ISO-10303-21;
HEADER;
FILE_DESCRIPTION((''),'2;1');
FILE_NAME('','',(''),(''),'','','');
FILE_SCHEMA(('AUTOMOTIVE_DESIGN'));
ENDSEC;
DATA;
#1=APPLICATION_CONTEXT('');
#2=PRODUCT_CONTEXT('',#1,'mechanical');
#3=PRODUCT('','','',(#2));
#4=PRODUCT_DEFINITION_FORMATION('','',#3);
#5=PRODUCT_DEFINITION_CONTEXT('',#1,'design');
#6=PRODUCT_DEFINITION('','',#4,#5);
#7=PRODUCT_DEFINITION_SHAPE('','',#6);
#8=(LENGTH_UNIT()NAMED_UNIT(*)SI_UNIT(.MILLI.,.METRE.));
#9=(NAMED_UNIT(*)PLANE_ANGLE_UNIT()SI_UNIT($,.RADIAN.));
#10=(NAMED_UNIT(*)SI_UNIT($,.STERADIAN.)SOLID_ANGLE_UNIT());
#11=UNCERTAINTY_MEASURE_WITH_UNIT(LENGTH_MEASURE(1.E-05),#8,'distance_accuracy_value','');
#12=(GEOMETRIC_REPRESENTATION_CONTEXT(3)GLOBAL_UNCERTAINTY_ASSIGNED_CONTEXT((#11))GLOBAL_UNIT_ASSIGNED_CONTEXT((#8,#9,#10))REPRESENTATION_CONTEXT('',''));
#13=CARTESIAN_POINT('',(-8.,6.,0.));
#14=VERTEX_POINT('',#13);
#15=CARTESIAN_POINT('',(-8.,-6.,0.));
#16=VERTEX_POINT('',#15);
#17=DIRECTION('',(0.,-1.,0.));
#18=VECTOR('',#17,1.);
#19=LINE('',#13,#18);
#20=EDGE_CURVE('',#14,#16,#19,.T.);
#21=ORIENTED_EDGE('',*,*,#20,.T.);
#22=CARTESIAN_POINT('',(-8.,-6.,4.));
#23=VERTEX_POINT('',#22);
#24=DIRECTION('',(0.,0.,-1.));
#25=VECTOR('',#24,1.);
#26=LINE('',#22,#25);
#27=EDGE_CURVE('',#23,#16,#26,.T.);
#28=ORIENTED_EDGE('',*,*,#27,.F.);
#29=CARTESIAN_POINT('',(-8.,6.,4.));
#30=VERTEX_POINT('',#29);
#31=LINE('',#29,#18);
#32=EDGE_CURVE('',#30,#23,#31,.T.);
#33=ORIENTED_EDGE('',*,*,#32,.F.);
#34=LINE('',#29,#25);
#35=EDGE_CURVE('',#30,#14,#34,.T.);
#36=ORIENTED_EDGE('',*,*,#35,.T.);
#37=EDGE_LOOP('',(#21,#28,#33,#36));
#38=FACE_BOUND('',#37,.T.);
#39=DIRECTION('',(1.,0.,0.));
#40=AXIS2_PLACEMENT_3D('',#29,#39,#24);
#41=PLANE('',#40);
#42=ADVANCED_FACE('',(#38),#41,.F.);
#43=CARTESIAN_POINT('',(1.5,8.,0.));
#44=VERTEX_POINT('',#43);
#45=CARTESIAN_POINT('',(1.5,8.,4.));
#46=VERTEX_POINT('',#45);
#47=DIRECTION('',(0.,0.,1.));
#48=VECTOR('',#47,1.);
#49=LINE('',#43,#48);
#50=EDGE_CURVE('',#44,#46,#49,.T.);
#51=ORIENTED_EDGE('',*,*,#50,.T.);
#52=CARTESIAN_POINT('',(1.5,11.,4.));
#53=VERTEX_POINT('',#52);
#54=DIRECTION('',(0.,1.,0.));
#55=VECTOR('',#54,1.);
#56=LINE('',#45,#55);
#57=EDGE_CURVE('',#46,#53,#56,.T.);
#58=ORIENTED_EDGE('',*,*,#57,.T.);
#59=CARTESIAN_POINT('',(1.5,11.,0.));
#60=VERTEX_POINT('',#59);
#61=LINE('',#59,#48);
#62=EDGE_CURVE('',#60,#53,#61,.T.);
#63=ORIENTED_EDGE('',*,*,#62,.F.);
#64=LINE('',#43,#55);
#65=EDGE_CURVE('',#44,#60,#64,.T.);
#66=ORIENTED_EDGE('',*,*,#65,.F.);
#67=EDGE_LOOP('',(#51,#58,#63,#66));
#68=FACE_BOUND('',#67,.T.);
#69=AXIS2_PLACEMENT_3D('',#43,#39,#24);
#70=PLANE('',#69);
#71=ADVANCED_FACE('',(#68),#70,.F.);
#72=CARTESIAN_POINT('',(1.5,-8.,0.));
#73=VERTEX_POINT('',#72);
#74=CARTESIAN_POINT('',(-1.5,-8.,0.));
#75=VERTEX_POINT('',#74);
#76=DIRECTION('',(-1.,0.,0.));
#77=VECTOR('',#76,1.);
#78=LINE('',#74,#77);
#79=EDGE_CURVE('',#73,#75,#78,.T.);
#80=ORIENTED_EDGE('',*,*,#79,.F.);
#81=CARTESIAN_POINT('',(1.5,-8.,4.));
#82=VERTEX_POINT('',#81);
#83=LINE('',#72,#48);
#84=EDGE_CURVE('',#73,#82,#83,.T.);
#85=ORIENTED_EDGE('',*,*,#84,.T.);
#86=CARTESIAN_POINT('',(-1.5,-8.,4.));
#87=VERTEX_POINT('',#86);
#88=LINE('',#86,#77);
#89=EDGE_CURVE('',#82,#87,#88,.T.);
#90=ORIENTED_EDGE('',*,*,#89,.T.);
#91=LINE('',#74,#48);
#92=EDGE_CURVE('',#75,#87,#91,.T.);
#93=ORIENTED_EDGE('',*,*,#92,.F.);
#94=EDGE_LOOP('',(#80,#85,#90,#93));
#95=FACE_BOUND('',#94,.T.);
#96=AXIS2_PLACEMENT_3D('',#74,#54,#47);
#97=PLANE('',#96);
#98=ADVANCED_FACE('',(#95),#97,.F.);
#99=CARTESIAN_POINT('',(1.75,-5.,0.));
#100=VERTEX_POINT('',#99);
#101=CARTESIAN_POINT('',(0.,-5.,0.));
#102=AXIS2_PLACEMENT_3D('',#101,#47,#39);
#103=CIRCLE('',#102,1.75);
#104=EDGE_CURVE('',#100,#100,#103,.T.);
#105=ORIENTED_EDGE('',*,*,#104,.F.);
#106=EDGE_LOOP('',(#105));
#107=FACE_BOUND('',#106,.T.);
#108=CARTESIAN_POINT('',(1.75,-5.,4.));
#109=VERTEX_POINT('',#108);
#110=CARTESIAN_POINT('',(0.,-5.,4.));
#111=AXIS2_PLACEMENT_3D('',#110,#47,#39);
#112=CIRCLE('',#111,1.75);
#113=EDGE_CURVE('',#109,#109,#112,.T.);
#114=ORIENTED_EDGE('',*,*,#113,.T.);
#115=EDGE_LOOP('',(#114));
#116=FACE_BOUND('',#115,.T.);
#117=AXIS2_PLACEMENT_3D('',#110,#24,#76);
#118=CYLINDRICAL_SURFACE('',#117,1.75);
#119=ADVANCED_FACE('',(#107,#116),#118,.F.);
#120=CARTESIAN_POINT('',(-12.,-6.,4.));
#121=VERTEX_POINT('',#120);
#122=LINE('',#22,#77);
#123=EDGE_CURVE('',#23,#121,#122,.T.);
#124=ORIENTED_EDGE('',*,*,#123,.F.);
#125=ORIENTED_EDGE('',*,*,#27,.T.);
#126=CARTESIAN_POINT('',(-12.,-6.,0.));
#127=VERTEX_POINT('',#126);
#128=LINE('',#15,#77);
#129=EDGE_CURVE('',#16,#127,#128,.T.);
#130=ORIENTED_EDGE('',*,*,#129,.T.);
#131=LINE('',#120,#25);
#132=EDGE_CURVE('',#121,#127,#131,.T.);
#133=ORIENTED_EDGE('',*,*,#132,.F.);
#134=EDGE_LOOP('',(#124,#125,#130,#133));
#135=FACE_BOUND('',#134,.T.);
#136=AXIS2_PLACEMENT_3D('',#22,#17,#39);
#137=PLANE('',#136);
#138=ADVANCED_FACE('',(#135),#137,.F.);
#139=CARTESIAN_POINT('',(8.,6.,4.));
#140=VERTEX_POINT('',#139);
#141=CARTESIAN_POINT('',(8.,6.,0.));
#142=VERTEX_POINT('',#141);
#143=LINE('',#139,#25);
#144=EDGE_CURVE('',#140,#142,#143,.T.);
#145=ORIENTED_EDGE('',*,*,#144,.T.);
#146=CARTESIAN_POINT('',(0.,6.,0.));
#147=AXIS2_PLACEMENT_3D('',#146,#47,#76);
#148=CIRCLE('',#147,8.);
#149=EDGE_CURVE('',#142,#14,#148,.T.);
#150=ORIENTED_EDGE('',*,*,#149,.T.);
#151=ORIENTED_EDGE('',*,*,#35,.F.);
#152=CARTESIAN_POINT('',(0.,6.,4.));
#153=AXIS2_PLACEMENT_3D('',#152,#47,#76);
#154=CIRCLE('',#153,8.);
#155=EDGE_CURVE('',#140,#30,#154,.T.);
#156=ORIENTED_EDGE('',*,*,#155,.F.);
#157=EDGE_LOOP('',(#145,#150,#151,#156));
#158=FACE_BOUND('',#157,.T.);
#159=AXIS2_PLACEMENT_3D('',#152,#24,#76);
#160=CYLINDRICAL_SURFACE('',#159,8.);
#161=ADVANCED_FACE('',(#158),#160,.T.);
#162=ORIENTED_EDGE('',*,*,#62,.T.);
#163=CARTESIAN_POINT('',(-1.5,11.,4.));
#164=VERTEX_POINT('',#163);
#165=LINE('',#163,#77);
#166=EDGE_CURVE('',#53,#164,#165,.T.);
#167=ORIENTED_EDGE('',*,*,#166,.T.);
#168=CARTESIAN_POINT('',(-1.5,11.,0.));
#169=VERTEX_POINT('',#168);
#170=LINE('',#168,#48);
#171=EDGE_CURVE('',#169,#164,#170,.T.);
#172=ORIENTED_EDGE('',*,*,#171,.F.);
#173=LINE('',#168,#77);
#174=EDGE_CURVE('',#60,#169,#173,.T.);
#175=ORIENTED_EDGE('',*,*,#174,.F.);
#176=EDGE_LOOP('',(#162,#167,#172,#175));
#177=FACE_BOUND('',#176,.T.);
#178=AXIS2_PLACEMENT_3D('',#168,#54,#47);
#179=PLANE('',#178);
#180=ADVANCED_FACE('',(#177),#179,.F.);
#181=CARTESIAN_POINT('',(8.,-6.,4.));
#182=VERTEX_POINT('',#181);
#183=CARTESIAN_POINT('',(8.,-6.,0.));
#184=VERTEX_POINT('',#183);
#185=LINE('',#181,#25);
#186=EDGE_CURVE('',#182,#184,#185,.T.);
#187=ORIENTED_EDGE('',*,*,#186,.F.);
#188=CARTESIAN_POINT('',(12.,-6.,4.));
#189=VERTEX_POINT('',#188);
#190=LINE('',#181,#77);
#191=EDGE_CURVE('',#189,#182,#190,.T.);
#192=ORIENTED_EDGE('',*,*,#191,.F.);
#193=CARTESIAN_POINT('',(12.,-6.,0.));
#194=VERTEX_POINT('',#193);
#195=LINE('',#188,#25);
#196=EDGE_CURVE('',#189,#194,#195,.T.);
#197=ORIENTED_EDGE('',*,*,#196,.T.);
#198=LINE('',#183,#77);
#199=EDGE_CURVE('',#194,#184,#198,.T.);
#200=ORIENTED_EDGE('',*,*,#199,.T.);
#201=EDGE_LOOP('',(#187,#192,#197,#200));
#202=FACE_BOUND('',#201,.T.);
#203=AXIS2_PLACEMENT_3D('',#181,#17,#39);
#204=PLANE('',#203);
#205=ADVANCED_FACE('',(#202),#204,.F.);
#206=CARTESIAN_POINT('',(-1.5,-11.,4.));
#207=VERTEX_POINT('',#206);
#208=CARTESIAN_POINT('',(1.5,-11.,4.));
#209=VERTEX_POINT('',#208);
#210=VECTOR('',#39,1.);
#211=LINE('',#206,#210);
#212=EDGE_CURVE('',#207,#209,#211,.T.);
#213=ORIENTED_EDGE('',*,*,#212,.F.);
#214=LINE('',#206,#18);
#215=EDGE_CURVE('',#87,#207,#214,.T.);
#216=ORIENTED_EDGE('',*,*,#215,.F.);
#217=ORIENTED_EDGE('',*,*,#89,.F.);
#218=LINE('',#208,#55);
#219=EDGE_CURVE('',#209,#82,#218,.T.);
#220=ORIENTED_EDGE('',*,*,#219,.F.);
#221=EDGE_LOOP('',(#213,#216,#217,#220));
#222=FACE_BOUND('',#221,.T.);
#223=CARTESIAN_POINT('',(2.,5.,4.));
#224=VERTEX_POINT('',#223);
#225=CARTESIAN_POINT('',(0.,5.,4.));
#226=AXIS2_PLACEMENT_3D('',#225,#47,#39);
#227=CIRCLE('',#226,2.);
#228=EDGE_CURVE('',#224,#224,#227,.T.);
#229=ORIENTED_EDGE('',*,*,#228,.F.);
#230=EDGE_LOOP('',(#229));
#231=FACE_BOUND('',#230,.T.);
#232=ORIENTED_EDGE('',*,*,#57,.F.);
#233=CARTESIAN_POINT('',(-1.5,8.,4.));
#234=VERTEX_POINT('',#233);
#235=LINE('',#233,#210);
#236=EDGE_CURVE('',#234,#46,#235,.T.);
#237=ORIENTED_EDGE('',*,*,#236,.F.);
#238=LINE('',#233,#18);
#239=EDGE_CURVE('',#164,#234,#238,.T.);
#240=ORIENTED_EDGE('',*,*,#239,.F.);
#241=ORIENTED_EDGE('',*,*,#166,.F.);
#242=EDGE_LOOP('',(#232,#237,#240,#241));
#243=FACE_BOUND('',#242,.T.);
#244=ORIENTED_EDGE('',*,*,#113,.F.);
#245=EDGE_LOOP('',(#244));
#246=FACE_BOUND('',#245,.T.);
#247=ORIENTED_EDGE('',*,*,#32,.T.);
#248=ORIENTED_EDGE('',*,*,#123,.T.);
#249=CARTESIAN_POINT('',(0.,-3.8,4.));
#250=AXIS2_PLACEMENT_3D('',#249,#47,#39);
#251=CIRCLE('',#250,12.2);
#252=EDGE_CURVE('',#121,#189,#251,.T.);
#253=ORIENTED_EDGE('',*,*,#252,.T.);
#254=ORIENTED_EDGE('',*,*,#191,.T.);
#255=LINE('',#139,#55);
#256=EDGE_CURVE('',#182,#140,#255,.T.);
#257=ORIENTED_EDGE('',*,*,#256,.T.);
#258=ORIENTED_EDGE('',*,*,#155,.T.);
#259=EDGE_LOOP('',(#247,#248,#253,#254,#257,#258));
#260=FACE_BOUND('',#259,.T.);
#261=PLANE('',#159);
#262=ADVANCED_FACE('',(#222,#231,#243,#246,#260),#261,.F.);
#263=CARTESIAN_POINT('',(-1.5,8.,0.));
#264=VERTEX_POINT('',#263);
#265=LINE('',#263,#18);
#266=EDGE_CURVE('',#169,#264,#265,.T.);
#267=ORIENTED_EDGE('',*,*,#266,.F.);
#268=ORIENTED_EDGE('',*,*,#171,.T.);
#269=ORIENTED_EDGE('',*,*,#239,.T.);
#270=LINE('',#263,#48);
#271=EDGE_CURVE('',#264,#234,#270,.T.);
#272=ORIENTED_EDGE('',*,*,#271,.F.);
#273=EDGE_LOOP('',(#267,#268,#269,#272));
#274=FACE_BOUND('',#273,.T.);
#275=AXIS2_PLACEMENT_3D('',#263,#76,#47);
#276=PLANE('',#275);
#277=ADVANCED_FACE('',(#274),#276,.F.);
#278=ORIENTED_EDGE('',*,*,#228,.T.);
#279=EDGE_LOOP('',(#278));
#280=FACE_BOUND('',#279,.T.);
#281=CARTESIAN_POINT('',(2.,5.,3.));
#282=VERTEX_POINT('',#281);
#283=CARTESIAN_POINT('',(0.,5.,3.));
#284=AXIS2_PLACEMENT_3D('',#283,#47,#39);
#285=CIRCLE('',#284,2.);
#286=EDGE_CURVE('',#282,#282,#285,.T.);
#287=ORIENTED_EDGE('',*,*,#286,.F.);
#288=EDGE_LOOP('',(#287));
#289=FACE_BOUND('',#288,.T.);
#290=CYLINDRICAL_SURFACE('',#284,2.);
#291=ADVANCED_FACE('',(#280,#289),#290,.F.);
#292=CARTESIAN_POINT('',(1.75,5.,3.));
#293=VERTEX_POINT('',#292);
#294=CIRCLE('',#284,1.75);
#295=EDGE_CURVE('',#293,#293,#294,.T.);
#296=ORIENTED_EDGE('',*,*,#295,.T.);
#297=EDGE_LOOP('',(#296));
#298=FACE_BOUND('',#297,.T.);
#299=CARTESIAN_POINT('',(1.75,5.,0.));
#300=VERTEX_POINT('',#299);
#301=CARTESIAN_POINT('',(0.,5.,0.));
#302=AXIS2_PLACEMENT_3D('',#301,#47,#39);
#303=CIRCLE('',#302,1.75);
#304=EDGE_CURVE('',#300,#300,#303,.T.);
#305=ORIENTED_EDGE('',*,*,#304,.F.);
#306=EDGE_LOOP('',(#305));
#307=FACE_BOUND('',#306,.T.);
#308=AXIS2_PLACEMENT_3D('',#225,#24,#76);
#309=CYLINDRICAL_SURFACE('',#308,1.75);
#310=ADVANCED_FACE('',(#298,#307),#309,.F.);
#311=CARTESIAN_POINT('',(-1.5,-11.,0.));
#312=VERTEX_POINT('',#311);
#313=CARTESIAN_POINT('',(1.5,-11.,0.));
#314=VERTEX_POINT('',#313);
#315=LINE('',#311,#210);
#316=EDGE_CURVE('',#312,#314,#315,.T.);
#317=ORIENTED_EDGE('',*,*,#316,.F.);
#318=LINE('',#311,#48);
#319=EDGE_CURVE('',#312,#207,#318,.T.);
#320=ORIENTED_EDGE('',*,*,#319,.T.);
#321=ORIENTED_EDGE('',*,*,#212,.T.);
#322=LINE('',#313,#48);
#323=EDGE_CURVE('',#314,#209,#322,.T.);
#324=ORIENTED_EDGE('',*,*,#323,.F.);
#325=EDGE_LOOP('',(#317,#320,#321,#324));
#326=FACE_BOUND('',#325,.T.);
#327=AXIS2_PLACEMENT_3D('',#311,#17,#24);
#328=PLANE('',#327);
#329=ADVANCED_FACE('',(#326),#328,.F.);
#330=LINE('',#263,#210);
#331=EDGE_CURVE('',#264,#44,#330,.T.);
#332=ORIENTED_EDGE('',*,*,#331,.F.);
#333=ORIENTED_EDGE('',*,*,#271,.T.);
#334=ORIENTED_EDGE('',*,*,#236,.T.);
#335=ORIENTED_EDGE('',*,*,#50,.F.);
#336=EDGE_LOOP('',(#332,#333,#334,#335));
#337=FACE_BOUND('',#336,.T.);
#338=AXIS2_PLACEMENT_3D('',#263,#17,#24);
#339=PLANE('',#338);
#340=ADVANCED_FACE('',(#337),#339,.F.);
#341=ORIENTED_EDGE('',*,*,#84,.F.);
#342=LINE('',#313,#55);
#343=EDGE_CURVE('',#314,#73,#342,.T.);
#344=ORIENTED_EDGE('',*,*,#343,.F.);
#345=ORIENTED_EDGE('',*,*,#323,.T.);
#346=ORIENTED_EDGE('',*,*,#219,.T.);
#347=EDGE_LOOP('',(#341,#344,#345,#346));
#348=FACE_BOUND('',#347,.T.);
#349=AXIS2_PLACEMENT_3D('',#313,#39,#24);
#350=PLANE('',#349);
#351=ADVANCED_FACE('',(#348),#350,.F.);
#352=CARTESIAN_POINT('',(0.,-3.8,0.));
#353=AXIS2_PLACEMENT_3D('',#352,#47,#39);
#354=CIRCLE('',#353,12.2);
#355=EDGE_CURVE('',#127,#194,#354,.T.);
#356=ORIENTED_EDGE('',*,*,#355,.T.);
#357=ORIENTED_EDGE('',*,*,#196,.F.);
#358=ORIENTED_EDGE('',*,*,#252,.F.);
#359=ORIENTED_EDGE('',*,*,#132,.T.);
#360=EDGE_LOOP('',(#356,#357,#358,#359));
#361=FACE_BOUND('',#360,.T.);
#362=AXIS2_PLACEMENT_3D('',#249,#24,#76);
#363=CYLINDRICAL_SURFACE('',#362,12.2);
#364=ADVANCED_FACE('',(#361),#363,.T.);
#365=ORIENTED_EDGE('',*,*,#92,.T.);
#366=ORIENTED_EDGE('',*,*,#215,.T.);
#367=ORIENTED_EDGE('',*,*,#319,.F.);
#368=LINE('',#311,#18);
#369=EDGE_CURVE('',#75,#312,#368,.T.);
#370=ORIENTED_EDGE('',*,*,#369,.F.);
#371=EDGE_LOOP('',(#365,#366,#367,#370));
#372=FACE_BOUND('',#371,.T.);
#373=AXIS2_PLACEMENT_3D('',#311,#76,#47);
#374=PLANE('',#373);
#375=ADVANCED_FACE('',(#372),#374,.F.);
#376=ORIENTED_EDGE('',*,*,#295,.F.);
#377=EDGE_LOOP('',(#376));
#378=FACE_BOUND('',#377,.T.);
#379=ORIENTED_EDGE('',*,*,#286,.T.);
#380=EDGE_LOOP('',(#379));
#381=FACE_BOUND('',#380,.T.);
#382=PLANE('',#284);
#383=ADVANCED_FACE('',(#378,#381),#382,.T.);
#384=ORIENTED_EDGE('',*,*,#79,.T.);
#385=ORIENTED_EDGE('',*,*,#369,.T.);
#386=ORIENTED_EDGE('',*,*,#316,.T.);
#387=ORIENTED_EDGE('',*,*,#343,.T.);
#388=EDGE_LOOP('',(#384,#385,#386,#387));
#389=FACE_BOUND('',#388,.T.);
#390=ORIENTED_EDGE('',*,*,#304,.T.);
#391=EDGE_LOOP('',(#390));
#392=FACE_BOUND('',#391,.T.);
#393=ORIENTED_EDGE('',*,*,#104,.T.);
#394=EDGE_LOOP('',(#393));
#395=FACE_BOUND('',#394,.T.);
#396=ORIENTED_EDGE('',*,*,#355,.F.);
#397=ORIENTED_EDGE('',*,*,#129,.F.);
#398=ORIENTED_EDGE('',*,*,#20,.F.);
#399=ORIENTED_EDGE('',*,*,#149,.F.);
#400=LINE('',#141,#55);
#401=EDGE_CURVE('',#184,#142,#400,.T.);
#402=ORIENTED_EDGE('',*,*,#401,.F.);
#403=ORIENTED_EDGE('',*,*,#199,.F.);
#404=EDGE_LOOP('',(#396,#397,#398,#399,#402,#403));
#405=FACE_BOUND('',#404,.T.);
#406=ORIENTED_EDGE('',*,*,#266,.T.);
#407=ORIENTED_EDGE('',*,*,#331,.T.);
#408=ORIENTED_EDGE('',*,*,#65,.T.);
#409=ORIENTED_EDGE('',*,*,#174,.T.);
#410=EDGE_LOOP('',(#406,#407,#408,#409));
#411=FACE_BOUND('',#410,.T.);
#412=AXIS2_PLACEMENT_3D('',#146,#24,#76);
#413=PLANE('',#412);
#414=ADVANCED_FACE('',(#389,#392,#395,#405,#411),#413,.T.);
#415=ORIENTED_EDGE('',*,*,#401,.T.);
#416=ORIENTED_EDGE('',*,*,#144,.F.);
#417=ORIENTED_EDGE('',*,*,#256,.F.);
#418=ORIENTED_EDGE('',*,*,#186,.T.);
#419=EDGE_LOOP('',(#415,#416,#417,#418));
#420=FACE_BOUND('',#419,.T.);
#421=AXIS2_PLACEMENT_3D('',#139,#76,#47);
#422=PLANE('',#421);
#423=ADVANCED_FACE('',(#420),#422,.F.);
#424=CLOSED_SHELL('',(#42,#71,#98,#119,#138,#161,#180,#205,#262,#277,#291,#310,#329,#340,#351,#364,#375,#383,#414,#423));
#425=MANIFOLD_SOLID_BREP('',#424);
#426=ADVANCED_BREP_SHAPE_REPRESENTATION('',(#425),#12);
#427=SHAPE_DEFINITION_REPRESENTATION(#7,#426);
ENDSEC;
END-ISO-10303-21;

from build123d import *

# Parameters (mm, degrees)
SKETCH1_R           = 1.75
BOSS_EXTRUDE1_DEPTH = 4
SKETCH2_W           = 3
SKETCH2_H           = 3
CUT_EXTRUDE1_DEPTH  = 21.396078054
SKETCH3_R           = 2
CUT_EXTRUDE2_DEPTH  = 1


with BuildPart() as part:
    # Sketch1 → Boss-Extrude1 (new body)
    with BuildSketch(Plane.XY):
        with BuildLine():
            Line((-8, 6), (-8, -6))
            Line((-8, -6), (-12, -6))
            ThreePointArc((-12, -6), (0, -16), (12, -6))
            Line((12, -6), (8, -6))
            Line((8, -6), (8, 6))
            ThreePointArc((8, 6), (0, 14), (-8, 6))
        make_face()
        with Locations((0, 5)):
            Circle(SKETCH1_R, mode=Mode.SUBTRACT)
        with Locations((0, -5)):
            Circle(SKETCH1_R, mode=Mode.SUBTRACT)
    extrude(amount=BOSS_EXTRUDE1_DEPTH)

    # Sketch2 → Cut-Extrude1 (cut, through all)
    with BuildSketch(Plane.XY.offset(4)):
        with Locations((0, 9.5)):
            Rectangle(SKETCH2_W, SKETCH2_H)
        with Locations((0, -9.5)):
            Rectangle(SKETCH2_W, SKETCH2_H)
    extrude(amount=-CUT_EXTRUDE1_DEPTH, mode=Mode.SUBTRACT)

    # Sketch3 → Cut-Extrude2 (cut)
    with BuildSketch(Plane.XY.offset(4)):
        with Locations((0, 5)):
            Circle(SKETCH3_R)
    extrude(amount=-CUT_EXTRUDE2_DEPTH, mode=Mode.SUBTRACT)


solid = part.part
